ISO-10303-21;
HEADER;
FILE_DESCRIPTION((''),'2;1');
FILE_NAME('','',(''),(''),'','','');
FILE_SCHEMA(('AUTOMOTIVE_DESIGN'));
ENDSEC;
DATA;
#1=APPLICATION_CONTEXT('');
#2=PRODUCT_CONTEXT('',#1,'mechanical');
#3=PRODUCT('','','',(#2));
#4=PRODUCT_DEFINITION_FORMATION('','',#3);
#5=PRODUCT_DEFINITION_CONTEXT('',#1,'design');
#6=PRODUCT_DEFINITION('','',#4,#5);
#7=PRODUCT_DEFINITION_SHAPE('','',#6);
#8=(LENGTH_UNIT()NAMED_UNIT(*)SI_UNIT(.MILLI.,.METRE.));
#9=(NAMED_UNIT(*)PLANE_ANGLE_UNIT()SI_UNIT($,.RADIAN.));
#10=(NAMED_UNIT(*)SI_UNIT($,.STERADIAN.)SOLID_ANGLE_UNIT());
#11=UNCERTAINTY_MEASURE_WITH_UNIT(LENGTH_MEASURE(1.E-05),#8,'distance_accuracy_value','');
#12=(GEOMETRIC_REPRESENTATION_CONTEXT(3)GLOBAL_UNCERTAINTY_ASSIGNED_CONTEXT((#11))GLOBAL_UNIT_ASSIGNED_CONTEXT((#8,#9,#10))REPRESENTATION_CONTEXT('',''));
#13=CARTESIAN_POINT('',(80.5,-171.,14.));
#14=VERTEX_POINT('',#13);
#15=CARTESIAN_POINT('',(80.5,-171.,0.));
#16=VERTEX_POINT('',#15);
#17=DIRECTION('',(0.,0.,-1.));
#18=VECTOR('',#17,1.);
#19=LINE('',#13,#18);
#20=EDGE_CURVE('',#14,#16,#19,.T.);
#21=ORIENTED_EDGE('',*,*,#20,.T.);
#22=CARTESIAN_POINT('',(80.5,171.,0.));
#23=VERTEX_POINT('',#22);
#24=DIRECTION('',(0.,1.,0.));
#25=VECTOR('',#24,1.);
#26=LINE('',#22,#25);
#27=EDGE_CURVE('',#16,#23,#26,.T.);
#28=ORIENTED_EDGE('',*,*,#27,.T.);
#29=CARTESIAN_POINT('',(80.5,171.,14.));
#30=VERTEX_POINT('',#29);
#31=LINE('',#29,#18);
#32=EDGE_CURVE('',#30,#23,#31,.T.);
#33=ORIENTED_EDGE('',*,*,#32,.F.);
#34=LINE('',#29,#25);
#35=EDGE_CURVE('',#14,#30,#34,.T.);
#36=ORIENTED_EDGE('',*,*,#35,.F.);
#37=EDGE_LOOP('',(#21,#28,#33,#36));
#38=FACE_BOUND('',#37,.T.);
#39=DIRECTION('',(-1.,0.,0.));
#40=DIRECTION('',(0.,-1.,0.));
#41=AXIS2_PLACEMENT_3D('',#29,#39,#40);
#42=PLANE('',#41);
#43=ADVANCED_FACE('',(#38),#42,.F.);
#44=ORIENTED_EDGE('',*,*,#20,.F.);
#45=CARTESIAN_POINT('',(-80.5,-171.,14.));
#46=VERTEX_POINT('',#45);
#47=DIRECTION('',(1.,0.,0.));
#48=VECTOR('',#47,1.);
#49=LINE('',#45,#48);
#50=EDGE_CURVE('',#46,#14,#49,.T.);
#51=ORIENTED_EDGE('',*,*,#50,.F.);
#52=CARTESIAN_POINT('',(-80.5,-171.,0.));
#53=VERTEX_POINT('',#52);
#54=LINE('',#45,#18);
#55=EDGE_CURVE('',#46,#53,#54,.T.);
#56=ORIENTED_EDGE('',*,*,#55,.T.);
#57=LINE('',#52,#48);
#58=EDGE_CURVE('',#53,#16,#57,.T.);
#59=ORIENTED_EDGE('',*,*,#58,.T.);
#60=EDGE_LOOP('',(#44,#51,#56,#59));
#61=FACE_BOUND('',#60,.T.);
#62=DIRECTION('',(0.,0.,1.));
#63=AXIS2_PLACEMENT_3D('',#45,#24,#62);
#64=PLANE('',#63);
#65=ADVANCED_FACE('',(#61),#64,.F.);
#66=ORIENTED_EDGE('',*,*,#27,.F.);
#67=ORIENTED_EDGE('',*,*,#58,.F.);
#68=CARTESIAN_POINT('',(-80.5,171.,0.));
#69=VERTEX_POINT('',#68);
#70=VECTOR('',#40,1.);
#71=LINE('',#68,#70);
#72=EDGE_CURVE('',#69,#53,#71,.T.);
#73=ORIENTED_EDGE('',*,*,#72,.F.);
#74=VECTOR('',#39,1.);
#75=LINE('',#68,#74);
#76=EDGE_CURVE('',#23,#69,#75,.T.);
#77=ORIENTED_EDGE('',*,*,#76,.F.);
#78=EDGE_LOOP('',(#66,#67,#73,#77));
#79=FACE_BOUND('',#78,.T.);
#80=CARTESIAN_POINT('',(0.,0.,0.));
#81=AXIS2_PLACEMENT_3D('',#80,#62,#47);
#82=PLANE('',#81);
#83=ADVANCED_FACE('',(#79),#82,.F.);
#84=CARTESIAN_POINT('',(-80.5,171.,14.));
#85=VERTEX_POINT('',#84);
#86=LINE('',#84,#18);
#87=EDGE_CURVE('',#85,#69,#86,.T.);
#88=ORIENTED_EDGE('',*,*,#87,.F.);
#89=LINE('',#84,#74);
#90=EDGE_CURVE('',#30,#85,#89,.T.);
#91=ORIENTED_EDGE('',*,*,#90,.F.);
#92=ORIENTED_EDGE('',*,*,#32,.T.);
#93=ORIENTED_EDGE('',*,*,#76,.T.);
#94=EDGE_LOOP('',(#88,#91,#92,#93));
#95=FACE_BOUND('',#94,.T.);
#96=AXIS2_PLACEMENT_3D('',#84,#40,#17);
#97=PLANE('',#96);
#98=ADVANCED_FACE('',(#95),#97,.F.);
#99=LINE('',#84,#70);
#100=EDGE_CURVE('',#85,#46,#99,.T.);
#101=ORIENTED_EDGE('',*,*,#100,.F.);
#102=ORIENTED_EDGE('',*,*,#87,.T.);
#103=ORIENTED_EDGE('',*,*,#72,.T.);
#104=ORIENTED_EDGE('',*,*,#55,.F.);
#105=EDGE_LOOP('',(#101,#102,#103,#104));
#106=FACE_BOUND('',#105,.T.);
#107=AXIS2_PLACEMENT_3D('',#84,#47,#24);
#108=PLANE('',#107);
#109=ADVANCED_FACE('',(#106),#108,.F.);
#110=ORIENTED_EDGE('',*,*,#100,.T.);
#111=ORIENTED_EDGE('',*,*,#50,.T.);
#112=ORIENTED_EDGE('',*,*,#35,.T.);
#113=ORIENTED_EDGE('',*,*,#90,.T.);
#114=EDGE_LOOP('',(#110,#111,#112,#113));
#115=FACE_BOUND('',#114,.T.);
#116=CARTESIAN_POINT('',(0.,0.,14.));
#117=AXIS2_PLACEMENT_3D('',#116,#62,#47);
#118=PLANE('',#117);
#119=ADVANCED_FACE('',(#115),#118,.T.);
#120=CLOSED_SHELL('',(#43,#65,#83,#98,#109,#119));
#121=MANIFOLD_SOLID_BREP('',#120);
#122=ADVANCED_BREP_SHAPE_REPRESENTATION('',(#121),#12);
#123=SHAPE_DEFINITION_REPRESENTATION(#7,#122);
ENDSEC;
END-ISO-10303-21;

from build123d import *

# Parameters (mm, degrees)
SKETCH_1_W      = 161
SKETCH_1_H      = 342
EXTRUDE_1_DEPTH = 14


with BuildPart() as part:
    # 草图1 → 凸台-拉伸1 (new body)
    with BuildSketch(Plane.XY):
        Rectangle(SKETCH_1_W, SKETCH_1_H)
    extrude(amount=EXTRUDE_1_DEPTH)


solid = part.part
